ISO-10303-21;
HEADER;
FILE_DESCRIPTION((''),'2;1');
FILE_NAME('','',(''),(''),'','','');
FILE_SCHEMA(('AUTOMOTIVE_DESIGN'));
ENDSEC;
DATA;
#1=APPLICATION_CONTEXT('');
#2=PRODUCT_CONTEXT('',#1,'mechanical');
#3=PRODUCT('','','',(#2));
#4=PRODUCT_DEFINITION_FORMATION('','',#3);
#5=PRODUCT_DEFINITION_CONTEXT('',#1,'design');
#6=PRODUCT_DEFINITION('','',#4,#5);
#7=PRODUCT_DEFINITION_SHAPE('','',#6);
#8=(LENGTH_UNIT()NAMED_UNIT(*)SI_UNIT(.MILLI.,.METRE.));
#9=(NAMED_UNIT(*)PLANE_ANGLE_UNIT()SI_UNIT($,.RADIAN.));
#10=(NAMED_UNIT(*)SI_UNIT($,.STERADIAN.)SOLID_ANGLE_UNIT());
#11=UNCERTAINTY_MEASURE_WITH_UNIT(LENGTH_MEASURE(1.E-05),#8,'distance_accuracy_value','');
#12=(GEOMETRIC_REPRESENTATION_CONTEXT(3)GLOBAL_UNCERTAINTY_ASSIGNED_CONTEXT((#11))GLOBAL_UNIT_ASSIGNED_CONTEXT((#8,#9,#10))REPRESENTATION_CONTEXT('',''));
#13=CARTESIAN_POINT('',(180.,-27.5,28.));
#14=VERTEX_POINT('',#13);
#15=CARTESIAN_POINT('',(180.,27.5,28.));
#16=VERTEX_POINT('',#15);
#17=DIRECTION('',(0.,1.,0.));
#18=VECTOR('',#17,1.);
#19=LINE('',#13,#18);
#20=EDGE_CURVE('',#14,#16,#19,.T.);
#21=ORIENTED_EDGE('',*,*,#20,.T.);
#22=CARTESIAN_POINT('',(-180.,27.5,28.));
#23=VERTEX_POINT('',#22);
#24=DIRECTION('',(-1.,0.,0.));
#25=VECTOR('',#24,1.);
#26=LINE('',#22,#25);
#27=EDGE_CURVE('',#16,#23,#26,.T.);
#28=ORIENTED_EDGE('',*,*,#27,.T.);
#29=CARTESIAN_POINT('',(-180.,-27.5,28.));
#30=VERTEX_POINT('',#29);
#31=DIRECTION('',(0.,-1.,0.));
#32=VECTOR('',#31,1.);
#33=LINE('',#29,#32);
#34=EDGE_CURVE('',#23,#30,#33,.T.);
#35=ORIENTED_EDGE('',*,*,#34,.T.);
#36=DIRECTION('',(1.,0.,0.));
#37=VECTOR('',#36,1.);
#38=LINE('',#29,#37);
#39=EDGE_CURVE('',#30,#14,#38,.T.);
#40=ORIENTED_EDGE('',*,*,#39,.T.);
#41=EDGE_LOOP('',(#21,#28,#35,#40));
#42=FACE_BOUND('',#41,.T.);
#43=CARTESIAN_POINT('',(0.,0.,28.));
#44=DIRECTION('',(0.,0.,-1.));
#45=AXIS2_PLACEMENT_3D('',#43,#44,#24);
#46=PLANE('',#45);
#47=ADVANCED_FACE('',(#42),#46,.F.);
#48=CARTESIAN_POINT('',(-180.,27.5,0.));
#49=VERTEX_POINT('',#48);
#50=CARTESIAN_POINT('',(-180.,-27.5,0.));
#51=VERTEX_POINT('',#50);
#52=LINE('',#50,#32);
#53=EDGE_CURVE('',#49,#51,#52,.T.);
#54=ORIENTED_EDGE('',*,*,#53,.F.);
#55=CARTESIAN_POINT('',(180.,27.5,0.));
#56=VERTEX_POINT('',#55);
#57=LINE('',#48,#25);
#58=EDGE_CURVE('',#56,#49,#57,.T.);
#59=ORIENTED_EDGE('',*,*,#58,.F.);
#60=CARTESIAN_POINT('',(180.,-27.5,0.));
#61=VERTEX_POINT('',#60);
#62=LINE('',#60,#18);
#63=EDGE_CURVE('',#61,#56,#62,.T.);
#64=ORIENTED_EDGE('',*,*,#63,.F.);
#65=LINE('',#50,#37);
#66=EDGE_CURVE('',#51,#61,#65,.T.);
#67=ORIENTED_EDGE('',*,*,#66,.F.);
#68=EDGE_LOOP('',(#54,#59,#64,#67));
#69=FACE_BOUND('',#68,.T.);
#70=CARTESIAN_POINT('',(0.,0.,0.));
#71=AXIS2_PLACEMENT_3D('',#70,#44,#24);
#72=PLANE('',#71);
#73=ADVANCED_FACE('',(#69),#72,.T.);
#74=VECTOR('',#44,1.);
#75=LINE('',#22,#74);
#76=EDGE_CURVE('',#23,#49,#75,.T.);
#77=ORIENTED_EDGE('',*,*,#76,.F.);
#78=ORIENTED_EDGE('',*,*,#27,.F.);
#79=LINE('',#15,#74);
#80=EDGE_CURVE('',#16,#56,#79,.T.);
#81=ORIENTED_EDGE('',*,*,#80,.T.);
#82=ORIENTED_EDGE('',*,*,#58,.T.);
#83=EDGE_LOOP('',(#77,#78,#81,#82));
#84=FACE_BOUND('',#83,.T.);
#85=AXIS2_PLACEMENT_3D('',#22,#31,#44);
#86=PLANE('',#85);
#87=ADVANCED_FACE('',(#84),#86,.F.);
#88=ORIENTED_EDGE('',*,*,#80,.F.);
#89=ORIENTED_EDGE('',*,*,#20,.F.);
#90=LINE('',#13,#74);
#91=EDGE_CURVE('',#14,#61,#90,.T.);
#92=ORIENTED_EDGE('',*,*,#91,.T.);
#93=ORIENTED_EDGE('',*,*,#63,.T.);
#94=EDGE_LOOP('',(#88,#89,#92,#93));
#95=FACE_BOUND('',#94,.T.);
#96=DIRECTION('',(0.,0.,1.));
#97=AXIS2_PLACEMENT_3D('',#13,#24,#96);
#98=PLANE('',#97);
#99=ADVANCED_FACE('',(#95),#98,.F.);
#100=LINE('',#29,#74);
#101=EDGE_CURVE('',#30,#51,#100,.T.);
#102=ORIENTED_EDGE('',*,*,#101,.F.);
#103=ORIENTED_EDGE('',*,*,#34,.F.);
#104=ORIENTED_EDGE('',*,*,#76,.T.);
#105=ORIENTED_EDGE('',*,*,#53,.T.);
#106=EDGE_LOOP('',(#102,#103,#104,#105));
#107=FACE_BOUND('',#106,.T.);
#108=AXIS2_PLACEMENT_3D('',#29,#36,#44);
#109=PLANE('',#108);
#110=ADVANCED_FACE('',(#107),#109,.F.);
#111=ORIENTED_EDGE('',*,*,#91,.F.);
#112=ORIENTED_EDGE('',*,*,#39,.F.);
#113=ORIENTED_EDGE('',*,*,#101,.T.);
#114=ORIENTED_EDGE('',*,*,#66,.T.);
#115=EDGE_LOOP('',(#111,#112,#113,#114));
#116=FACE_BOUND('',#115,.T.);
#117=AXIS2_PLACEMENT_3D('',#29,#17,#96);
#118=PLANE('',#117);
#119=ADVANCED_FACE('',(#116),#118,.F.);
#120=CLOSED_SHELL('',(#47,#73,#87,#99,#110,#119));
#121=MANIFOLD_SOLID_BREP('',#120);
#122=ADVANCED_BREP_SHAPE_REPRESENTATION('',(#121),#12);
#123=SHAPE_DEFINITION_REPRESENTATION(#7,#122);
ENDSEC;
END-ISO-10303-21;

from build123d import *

# Parameters (mm, degrees)
SKETCH_1_W      = 360
SKETCH_1_H      = 55
EXTRUDE_1_DEPTH = 28


with BuildPart() as part:
    # 草图1 → 凸台-拉伸1 (new body)
    with BuildSketch(Plane.XY):
        Rectangle(SKETCH_1_W, SKETCH_1_H)
    extrude(amount=EXTRUDE_1_DEPTH)


solid = part.part
